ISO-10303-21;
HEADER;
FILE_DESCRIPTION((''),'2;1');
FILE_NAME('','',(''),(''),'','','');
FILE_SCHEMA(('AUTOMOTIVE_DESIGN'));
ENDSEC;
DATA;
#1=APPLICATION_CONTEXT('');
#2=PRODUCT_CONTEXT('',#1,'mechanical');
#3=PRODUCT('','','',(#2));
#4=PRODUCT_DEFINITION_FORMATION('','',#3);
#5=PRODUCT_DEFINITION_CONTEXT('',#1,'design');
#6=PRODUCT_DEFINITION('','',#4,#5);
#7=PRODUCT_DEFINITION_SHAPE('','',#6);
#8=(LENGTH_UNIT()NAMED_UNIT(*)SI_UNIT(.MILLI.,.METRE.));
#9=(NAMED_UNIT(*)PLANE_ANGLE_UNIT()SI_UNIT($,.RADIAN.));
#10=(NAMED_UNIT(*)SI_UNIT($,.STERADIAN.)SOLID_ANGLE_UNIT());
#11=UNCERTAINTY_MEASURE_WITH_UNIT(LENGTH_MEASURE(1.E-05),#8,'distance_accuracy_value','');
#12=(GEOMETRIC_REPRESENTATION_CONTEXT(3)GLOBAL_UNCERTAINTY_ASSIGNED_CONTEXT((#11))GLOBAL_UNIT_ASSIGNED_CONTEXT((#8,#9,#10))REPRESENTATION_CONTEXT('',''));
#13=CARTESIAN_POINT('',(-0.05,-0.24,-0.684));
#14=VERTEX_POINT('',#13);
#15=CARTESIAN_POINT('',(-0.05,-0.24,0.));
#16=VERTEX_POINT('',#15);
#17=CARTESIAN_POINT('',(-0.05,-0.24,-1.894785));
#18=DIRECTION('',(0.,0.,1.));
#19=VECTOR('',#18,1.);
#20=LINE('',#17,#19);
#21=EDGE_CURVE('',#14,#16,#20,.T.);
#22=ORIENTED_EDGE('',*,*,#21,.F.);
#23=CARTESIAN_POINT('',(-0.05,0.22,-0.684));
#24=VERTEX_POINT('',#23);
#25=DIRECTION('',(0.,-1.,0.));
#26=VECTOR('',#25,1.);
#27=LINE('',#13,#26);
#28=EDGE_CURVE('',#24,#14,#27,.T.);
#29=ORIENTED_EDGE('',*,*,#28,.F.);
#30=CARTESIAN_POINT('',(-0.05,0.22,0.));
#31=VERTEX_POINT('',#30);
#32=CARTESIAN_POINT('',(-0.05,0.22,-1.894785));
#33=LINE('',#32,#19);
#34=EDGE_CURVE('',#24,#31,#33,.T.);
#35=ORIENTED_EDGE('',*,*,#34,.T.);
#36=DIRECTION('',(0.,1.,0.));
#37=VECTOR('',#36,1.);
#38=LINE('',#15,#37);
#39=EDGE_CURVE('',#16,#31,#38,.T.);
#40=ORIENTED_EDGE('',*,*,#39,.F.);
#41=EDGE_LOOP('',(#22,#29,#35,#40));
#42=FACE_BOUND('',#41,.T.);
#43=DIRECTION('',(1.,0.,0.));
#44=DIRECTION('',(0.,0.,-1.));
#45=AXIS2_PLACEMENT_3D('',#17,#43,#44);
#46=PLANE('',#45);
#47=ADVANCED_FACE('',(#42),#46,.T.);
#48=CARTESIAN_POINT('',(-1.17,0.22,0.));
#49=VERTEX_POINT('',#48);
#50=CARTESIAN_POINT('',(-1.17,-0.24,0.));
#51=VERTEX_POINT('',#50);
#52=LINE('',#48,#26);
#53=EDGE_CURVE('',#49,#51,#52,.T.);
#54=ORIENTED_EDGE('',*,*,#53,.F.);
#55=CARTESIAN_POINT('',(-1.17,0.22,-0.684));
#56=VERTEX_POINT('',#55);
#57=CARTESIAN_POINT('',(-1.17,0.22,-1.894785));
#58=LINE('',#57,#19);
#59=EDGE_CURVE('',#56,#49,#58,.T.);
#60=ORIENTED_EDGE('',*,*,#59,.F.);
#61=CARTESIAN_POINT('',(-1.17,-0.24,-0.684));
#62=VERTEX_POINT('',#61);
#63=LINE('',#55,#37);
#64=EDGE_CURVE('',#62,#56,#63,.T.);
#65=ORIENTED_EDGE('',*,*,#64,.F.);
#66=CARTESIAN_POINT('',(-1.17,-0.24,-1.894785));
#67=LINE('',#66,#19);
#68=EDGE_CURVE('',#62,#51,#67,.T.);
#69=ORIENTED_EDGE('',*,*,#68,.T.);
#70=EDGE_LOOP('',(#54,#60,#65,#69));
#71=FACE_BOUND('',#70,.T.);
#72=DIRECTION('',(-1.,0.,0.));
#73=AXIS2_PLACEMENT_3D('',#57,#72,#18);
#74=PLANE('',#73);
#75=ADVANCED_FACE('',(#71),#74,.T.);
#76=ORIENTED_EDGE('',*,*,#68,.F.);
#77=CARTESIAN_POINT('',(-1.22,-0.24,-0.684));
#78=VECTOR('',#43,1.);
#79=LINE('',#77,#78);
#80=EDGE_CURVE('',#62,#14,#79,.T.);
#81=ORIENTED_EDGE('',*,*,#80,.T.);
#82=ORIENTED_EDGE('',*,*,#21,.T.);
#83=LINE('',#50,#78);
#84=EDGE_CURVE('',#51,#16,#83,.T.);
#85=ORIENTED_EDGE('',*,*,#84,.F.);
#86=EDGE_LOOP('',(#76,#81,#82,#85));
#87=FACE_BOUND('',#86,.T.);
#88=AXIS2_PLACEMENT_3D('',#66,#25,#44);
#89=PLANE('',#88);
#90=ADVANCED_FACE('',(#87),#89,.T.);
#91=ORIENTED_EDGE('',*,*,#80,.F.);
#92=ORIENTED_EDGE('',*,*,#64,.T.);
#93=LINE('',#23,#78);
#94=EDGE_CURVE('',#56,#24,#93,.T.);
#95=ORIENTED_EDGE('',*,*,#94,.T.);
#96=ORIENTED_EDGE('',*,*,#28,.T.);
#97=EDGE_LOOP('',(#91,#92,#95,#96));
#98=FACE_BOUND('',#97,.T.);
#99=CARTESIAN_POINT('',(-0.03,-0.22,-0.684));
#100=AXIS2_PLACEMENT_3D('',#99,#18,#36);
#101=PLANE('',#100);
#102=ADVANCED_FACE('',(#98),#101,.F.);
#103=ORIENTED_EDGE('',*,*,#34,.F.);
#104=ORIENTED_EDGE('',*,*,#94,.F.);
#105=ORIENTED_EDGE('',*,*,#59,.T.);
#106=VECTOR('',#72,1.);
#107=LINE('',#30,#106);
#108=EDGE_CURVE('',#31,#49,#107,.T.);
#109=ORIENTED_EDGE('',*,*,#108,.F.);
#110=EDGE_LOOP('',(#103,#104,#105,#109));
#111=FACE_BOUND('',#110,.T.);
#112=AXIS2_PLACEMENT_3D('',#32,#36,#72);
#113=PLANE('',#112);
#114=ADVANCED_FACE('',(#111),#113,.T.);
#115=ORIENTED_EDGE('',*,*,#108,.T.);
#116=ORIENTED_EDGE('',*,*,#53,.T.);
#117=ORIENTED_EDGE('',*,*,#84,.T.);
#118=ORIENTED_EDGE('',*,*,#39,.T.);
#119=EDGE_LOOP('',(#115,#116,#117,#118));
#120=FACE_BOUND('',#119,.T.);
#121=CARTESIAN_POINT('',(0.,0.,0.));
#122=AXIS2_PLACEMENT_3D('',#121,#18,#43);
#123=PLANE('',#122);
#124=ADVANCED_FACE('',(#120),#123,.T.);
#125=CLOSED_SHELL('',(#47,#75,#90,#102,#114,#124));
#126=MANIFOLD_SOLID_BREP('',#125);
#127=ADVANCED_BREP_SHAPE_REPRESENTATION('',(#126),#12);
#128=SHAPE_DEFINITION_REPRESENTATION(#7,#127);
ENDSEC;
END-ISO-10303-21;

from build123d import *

# Parameters (mm, degrees)
SKETCH1_W           = 1.12
SKETCH1_H           = 0.46
BOSS_EXTRUDE1_DEPTH = 0.684


with BuildPart() as part:
    # Sketch1 → Boss-Extrude1 (new body)
    with BuildSketch(Plane.XY):
        with Locations((-0.61, -0.01)):
            Rectangle(SKETCH1_W, SKETCH1_H)
    extrude(amount=-BOSS_EXTRUDE1_DEPTH)


solid = part.part
